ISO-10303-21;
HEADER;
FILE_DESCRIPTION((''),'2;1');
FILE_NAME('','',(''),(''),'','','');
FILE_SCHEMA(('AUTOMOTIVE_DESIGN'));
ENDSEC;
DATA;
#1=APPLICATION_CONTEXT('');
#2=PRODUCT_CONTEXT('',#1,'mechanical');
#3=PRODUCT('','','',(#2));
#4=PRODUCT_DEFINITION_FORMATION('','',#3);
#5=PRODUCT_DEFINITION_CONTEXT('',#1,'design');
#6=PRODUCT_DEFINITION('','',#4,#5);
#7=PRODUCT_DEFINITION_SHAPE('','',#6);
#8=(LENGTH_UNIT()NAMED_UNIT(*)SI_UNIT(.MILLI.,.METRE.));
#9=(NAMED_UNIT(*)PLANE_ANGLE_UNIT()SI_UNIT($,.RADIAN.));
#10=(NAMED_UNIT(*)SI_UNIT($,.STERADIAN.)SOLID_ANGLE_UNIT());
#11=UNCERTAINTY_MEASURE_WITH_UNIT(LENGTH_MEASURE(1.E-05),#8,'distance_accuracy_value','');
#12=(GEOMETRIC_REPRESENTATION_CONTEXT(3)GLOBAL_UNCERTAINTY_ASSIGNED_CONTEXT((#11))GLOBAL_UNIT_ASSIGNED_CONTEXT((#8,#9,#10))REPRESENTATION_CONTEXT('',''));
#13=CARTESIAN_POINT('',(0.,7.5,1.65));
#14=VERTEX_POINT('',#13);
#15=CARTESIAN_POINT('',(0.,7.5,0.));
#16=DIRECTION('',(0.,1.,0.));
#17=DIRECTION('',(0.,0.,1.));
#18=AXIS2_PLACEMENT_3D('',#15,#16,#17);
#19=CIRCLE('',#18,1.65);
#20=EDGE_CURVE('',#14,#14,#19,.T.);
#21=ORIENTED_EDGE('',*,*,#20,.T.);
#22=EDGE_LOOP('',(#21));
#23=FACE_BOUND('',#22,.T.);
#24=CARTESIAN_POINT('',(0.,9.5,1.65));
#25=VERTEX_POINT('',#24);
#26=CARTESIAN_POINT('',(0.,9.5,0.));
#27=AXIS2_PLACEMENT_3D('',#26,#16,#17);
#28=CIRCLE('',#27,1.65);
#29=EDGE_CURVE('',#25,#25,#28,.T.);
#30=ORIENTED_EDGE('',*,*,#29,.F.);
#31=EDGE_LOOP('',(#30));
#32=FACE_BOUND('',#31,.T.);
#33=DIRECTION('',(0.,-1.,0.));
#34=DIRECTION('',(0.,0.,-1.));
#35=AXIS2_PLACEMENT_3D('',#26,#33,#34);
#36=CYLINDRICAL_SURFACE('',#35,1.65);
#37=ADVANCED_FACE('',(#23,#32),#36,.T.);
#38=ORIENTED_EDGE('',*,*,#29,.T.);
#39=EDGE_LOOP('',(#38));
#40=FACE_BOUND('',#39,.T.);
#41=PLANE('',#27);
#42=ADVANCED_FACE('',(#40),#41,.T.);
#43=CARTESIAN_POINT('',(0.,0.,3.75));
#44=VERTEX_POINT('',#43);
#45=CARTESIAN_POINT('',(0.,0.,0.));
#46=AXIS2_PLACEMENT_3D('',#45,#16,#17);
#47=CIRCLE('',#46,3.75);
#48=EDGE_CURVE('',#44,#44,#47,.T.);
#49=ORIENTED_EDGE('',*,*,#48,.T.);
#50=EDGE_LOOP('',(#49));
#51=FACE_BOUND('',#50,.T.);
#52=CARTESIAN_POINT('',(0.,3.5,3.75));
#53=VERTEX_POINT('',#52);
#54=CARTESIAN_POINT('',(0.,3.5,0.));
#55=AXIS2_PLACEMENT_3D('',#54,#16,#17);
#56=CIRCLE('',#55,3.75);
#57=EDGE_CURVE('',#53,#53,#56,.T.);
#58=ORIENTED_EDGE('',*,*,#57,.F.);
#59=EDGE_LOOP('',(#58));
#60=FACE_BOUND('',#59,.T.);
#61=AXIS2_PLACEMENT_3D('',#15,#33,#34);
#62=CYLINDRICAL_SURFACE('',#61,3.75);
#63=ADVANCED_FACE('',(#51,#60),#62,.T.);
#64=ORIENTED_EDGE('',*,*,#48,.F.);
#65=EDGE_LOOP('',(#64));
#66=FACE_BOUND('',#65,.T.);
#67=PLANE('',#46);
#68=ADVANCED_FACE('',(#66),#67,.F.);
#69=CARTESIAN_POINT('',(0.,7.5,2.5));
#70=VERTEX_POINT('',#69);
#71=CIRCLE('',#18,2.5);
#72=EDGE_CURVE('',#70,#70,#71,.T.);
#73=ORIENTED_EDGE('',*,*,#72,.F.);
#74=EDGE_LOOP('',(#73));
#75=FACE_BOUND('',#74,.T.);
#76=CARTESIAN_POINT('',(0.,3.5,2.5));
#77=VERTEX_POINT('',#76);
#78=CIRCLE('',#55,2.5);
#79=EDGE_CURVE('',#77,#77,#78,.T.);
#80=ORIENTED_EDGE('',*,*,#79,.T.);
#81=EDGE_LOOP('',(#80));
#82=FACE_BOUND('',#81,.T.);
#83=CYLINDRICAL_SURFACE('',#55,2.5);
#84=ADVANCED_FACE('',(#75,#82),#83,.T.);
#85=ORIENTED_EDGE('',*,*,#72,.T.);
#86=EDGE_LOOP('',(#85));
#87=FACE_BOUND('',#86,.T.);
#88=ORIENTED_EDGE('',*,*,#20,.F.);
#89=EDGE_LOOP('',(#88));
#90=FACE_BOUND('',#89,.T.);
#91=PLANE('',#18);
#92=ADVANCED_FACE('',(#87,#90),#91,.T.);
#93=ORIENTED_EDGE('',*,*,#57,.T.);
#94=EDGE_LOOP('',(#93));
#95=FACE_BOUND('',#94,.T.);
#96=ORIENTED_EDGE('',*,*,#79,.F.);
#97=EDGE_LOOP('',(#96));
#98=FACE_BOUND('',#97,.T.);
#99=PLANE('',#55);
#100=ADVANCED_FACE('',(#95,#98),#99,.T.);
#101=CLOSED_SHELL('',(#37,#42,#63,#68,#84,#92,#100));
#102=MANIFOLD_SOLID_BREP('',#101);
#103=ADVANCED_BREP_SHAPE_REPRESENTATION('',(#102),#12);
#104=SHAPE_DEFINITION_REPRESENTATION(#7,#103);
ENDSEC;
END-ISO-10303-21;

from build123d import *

# Parameters (mm, degrees)
SKETCH1_R           = 3.75
BOSS_EXTRUDE1_DEPTH = 7.5
SKETCH2_R           = 3.75
SKETCH2_R_2         = 2.5
CUT_EXTRUDE1_DEPTH  = 4
SKETCH3_R           = 1.65
BOSS_EXTRUDE2_DEPTH = 2


with BuildPart() as part:
    # Sketch1 → Boss-Extrude1 (new body)
    with BuildSketch(Plane(origin=(0, 0, 0), x_dir=(1, 0, 0), z_dir=(0, 1, 0))):
        Circle(SKETCH1_R)
    extrude(amount=BOSS_EXTRUDE1_DEPTH)

    # Sketch2 → Cut-Extrude1 (cut)
    with BuildSketch(Plane(origin=(0, 7.5, 0), x_dir=(1, 0, 0), z_dir=(0, 1, 0))):
        Circle(SKETCH2_R)
        Circle(SKETCH2_R_2, mode=Mode.SUBTRACT)
    extrude(amount=-CUT_EXTRUDE1_DEPTH, mode=Mode.SUBTRACT)

    # Sketch3 → Boss-Extrude2 (add)
    with BuildSketch(Plane(origin=(0, 7.5, 0), x_dir=(1, 0, 0), z_dir=(0, 1, 0))):
        Circle(SKETCH3_R)
    extrude(amount=BOSS_EXTRUDE2_DEPTH)


solid = part.part
